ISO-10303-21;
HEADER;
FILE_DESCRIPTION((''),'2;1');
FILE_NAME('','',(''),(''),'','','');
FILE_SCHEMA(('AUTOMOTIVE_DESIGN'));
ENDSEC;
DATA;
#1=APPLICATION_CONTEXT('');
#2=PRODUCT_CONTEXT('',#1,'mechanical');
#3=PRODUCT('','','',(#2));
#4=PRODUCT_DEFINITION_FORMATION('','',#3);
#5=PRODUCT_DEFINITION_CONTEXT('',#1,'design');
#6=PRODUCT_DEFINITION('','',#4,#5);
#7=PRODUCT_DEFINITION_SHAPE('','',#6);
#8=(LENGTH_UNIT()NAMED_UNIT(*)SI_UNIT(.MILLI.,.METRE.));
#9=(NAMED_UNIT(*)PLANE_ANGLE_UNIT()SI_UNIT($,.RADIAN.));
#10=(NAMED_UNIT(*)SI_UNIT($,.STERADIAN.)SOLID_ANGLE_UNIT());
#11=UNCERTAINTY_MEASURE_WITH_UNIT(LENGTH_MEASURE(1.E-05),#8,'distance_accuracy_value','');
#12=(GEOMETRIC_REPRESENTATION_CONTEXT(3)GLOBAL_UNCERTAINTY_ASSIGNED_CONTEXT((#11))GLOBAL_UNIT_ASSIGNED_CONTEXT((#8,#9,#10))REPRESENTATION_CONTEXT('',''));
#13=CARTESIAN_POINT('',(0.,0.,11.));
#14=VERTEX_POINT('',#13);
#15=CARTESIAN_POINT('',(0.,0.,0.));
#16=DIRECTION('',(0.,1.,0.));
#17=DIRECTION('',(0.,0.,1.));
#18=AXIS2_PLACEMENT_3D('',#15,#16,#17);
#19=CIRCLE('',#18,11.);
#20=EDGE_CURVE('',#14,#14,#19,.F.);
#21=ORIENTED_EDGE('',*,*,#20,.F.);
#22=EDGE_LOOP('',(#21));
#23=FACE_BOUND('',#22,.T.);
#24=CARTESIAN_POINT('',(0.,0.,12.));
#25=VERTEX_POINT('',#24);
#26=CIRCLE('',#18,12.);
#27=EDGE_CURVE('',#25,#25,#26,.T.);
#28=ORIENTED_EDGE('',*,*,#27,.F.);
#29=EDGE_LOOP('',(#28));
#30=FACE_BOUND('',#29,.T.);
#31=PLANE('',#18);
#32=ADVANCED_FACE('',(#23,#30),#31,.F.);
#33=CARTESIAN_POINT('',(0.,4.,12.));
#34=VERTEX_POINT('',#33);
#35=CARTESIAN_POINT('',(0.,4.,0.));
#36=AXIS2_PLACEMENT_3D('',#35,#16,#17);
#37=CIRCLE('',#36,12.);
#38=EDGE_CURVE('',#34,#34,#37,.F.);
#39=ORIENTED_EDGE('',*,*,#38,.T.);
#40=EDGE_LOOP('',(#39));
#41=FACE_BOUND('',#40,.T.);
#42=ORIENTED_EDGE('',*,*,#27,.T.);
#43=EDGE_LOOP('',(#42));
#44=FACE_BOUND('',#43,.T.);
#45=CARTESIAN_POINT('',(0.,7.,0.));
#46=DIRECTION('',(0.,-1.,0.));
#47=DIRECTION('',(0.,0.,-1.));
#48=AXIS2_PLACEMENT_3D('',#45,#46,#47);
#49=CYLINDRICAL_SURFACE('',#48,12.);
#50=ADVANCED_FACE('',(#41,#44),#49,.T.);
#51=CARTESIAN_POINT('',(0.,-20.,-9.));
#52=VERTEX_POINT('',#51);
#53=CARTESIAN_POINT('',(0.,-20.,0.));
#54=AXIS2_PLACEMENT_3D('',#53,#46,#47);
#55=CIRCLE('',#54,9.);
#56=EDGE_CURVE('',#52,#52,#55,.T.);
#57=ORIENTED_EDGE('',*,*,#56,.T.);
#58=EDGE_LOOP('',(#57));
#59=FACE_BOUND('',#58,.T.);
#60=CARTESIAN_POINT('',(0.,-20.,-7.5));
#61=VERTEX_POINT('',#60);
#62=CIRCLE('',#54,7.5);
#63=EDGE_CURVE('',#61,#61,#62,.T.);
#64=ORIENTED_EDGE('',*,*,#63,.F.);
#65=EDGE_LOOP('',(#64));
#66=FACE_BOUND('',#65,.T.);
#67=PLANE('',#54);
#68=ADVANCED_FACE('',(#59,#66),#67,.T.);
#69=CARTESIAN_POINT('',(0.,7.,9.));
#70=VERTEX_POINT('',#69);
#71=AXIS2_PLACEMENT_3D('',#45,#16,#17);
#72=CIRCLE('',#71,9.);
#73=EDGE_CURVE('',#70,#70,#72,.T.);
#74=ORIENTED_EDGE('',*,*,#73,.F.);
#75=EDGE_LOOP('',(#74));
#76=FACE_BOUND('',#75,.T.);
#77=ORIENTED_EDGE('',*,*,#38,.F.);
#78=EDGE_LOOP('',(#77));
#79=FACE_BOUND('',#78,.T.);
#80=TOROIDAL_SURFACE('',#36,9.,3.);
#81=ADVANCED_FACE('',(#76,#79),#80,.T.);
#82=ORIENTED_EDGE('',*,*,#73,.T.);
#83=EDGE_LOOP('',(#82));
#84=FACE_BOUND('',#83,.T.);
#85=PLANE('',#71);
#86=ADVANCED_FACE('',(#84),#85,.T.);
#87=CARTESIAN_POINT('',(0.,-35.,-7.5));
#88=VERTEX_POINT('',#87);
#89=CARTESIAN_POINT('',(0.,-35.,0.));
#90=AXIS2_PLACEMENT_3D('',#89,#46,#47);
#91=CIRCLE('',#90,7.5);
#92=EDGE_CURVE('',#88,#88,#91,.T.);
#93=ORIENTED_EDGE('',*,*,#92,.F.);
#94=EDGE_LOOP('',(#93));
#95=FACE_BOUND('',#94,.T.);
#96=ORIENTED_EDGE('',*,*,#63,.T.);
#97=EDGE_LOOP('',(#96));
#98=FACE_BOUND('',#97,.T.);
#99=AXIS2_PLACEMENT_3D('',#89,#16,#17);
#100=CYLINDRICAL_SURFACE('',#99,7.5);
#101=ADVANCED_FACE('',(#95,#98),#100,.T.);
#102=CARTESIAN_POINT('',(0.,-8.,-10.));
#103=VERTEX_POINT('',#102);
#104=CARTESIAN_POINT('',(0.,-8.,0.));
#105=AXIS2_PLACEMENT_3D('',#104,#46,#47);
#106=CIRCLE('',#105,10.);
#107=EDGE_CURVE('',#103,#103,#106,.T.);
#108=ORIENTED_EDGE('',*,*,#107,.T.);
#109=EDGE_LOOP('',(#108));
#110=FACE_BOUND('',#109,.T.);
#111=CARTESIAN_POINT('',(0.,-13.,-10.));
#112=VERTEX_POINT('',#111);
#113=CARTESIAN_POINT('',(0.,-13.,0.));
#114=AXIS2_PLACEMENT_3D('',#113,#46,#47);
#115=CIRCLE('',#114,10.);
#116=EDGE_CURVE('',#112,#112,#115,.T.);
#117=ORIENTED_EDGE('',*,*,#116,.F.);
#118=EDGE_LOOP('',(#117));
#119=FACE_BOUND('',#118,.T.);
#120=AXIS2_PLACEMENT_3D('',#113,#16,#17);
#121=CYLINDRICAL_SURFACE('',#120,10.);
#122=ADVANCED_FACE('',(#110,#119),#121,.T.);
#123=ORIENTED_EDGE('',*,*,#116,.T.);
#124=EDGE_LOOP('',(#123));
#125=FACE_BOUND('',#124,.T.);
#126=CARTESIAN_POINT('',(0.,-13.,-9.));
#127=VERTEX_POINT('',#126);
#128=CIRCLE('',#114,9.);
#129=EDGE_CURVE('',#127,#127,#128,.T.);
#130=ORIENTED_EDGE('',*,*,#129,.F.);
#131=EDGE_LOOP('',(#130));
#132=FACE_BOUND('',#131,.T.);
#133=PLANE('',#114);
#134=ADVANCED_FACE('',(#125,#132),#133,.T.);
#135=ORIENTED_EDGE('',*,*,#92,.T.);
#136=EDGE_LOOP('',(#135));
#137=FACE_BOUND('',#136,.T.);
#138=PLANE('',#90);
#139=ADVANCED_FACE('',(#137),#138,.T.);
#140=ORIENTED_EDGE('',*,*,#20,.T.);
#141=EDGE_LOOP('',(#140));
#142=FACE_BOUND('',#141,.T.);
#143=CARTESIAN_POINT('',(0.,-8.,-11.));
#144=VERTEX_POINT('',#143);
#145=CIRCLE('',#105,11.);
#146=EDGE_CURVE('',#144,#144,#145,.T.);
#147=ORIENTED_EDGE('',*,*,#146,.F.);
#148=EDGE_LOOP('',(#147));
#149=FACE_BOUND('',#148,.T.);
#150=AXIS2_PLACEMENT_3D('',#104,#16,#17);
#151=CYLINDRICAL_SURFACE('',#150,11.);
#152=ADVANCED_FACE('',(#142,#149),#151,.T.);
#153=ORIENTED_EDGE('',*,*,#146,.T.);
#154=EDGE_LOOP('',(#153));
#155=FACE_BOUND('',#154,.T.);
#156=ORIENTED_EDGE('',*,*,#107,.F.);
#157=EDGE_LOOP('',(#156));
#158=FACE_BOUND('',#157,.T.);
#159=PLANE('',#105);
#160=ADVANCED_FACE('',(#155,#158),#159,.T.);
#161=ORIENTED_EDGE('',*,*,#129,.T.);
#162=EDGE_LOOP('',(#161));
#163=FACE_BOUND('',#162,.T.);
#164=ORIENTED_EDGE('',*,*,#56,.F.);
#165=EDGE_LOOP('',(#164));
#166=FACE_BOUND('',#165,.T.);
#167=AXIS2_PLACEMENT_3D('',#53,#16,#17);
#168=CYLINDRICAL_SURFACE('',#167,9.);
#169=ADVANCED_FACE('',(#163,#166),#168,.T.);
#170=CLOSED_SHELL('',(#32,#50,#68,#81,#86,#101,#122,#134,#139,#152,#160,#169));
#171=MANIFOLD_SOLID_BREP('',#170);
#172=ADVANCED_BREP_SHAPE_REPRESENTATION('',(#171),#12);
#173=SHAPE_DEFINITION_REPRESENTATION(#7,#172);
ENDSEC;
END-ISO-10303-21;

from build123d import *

# Parameters (mm, degrees)
ESQUISSE1_R      = 12
EXTRUSION1_DEPTH = 7
ESQUISSE2_R      = 11
EXTRUSION2_DEPTH = 8
CONG_1_R         = 3
ESQUISSE3_R      = 10
EXTRUSION3_DEPTH = 5
ESQUISSE4_R      = 9
EXTRUSION4_DEPTH = 7
ESQUISSE5_R      = 7.5
EXTRUSION5_DEPTH = 15


with BuildPart() as part:
    # Esquisse1 → Extrusion1 (new body)
    with BuildSketch(Plane(origin=(0, 0, 0), x_dir=(1, 0, 0), z_dir=(0, 1, 0))):
        Circle(ESQUISSE1_R)
    extrude(amount=EXTRUSION1_DEPTH)

    # Esquisse2 → Extrusion2 (add)
    with BuildSketch(Plane.XZ):
        Circle(ESQUISSE2_R)
    extrude(amount=EXTRUSION2_DEPTH)

    # Congé1
    cong_1_edges = [part.edges().sort_by_distance(p)[0] for p in [
        (-12, 7, 0),
    ]]
    fillet(cong_1_edges, radius=CONG_1_R)

    # Esquisse3 → Extrusion3 (add)
    with BuildSketch(Plane.XZ.offset(8)):
        Circle(ESQUISSE3_R)
    extrude(amount=EXTRUSION3_DEPTH)

    # Esquisse4 → Extrusion4 (add)
    with BuildSketch(Plane.XZ.offset(13)):
        Circle(ESQUISSE4_R)
    extrude(amount=EXTRUSION4_DEPTH)

    # Esquisse5 → Extrusion5 (add)
    with BuildSketch(Plane.XZ.offset(20)):
        Circle(ESQUISSE5_R)
    extrude(amount=EXTRUSION5_DEPTH)


solid = part.part
